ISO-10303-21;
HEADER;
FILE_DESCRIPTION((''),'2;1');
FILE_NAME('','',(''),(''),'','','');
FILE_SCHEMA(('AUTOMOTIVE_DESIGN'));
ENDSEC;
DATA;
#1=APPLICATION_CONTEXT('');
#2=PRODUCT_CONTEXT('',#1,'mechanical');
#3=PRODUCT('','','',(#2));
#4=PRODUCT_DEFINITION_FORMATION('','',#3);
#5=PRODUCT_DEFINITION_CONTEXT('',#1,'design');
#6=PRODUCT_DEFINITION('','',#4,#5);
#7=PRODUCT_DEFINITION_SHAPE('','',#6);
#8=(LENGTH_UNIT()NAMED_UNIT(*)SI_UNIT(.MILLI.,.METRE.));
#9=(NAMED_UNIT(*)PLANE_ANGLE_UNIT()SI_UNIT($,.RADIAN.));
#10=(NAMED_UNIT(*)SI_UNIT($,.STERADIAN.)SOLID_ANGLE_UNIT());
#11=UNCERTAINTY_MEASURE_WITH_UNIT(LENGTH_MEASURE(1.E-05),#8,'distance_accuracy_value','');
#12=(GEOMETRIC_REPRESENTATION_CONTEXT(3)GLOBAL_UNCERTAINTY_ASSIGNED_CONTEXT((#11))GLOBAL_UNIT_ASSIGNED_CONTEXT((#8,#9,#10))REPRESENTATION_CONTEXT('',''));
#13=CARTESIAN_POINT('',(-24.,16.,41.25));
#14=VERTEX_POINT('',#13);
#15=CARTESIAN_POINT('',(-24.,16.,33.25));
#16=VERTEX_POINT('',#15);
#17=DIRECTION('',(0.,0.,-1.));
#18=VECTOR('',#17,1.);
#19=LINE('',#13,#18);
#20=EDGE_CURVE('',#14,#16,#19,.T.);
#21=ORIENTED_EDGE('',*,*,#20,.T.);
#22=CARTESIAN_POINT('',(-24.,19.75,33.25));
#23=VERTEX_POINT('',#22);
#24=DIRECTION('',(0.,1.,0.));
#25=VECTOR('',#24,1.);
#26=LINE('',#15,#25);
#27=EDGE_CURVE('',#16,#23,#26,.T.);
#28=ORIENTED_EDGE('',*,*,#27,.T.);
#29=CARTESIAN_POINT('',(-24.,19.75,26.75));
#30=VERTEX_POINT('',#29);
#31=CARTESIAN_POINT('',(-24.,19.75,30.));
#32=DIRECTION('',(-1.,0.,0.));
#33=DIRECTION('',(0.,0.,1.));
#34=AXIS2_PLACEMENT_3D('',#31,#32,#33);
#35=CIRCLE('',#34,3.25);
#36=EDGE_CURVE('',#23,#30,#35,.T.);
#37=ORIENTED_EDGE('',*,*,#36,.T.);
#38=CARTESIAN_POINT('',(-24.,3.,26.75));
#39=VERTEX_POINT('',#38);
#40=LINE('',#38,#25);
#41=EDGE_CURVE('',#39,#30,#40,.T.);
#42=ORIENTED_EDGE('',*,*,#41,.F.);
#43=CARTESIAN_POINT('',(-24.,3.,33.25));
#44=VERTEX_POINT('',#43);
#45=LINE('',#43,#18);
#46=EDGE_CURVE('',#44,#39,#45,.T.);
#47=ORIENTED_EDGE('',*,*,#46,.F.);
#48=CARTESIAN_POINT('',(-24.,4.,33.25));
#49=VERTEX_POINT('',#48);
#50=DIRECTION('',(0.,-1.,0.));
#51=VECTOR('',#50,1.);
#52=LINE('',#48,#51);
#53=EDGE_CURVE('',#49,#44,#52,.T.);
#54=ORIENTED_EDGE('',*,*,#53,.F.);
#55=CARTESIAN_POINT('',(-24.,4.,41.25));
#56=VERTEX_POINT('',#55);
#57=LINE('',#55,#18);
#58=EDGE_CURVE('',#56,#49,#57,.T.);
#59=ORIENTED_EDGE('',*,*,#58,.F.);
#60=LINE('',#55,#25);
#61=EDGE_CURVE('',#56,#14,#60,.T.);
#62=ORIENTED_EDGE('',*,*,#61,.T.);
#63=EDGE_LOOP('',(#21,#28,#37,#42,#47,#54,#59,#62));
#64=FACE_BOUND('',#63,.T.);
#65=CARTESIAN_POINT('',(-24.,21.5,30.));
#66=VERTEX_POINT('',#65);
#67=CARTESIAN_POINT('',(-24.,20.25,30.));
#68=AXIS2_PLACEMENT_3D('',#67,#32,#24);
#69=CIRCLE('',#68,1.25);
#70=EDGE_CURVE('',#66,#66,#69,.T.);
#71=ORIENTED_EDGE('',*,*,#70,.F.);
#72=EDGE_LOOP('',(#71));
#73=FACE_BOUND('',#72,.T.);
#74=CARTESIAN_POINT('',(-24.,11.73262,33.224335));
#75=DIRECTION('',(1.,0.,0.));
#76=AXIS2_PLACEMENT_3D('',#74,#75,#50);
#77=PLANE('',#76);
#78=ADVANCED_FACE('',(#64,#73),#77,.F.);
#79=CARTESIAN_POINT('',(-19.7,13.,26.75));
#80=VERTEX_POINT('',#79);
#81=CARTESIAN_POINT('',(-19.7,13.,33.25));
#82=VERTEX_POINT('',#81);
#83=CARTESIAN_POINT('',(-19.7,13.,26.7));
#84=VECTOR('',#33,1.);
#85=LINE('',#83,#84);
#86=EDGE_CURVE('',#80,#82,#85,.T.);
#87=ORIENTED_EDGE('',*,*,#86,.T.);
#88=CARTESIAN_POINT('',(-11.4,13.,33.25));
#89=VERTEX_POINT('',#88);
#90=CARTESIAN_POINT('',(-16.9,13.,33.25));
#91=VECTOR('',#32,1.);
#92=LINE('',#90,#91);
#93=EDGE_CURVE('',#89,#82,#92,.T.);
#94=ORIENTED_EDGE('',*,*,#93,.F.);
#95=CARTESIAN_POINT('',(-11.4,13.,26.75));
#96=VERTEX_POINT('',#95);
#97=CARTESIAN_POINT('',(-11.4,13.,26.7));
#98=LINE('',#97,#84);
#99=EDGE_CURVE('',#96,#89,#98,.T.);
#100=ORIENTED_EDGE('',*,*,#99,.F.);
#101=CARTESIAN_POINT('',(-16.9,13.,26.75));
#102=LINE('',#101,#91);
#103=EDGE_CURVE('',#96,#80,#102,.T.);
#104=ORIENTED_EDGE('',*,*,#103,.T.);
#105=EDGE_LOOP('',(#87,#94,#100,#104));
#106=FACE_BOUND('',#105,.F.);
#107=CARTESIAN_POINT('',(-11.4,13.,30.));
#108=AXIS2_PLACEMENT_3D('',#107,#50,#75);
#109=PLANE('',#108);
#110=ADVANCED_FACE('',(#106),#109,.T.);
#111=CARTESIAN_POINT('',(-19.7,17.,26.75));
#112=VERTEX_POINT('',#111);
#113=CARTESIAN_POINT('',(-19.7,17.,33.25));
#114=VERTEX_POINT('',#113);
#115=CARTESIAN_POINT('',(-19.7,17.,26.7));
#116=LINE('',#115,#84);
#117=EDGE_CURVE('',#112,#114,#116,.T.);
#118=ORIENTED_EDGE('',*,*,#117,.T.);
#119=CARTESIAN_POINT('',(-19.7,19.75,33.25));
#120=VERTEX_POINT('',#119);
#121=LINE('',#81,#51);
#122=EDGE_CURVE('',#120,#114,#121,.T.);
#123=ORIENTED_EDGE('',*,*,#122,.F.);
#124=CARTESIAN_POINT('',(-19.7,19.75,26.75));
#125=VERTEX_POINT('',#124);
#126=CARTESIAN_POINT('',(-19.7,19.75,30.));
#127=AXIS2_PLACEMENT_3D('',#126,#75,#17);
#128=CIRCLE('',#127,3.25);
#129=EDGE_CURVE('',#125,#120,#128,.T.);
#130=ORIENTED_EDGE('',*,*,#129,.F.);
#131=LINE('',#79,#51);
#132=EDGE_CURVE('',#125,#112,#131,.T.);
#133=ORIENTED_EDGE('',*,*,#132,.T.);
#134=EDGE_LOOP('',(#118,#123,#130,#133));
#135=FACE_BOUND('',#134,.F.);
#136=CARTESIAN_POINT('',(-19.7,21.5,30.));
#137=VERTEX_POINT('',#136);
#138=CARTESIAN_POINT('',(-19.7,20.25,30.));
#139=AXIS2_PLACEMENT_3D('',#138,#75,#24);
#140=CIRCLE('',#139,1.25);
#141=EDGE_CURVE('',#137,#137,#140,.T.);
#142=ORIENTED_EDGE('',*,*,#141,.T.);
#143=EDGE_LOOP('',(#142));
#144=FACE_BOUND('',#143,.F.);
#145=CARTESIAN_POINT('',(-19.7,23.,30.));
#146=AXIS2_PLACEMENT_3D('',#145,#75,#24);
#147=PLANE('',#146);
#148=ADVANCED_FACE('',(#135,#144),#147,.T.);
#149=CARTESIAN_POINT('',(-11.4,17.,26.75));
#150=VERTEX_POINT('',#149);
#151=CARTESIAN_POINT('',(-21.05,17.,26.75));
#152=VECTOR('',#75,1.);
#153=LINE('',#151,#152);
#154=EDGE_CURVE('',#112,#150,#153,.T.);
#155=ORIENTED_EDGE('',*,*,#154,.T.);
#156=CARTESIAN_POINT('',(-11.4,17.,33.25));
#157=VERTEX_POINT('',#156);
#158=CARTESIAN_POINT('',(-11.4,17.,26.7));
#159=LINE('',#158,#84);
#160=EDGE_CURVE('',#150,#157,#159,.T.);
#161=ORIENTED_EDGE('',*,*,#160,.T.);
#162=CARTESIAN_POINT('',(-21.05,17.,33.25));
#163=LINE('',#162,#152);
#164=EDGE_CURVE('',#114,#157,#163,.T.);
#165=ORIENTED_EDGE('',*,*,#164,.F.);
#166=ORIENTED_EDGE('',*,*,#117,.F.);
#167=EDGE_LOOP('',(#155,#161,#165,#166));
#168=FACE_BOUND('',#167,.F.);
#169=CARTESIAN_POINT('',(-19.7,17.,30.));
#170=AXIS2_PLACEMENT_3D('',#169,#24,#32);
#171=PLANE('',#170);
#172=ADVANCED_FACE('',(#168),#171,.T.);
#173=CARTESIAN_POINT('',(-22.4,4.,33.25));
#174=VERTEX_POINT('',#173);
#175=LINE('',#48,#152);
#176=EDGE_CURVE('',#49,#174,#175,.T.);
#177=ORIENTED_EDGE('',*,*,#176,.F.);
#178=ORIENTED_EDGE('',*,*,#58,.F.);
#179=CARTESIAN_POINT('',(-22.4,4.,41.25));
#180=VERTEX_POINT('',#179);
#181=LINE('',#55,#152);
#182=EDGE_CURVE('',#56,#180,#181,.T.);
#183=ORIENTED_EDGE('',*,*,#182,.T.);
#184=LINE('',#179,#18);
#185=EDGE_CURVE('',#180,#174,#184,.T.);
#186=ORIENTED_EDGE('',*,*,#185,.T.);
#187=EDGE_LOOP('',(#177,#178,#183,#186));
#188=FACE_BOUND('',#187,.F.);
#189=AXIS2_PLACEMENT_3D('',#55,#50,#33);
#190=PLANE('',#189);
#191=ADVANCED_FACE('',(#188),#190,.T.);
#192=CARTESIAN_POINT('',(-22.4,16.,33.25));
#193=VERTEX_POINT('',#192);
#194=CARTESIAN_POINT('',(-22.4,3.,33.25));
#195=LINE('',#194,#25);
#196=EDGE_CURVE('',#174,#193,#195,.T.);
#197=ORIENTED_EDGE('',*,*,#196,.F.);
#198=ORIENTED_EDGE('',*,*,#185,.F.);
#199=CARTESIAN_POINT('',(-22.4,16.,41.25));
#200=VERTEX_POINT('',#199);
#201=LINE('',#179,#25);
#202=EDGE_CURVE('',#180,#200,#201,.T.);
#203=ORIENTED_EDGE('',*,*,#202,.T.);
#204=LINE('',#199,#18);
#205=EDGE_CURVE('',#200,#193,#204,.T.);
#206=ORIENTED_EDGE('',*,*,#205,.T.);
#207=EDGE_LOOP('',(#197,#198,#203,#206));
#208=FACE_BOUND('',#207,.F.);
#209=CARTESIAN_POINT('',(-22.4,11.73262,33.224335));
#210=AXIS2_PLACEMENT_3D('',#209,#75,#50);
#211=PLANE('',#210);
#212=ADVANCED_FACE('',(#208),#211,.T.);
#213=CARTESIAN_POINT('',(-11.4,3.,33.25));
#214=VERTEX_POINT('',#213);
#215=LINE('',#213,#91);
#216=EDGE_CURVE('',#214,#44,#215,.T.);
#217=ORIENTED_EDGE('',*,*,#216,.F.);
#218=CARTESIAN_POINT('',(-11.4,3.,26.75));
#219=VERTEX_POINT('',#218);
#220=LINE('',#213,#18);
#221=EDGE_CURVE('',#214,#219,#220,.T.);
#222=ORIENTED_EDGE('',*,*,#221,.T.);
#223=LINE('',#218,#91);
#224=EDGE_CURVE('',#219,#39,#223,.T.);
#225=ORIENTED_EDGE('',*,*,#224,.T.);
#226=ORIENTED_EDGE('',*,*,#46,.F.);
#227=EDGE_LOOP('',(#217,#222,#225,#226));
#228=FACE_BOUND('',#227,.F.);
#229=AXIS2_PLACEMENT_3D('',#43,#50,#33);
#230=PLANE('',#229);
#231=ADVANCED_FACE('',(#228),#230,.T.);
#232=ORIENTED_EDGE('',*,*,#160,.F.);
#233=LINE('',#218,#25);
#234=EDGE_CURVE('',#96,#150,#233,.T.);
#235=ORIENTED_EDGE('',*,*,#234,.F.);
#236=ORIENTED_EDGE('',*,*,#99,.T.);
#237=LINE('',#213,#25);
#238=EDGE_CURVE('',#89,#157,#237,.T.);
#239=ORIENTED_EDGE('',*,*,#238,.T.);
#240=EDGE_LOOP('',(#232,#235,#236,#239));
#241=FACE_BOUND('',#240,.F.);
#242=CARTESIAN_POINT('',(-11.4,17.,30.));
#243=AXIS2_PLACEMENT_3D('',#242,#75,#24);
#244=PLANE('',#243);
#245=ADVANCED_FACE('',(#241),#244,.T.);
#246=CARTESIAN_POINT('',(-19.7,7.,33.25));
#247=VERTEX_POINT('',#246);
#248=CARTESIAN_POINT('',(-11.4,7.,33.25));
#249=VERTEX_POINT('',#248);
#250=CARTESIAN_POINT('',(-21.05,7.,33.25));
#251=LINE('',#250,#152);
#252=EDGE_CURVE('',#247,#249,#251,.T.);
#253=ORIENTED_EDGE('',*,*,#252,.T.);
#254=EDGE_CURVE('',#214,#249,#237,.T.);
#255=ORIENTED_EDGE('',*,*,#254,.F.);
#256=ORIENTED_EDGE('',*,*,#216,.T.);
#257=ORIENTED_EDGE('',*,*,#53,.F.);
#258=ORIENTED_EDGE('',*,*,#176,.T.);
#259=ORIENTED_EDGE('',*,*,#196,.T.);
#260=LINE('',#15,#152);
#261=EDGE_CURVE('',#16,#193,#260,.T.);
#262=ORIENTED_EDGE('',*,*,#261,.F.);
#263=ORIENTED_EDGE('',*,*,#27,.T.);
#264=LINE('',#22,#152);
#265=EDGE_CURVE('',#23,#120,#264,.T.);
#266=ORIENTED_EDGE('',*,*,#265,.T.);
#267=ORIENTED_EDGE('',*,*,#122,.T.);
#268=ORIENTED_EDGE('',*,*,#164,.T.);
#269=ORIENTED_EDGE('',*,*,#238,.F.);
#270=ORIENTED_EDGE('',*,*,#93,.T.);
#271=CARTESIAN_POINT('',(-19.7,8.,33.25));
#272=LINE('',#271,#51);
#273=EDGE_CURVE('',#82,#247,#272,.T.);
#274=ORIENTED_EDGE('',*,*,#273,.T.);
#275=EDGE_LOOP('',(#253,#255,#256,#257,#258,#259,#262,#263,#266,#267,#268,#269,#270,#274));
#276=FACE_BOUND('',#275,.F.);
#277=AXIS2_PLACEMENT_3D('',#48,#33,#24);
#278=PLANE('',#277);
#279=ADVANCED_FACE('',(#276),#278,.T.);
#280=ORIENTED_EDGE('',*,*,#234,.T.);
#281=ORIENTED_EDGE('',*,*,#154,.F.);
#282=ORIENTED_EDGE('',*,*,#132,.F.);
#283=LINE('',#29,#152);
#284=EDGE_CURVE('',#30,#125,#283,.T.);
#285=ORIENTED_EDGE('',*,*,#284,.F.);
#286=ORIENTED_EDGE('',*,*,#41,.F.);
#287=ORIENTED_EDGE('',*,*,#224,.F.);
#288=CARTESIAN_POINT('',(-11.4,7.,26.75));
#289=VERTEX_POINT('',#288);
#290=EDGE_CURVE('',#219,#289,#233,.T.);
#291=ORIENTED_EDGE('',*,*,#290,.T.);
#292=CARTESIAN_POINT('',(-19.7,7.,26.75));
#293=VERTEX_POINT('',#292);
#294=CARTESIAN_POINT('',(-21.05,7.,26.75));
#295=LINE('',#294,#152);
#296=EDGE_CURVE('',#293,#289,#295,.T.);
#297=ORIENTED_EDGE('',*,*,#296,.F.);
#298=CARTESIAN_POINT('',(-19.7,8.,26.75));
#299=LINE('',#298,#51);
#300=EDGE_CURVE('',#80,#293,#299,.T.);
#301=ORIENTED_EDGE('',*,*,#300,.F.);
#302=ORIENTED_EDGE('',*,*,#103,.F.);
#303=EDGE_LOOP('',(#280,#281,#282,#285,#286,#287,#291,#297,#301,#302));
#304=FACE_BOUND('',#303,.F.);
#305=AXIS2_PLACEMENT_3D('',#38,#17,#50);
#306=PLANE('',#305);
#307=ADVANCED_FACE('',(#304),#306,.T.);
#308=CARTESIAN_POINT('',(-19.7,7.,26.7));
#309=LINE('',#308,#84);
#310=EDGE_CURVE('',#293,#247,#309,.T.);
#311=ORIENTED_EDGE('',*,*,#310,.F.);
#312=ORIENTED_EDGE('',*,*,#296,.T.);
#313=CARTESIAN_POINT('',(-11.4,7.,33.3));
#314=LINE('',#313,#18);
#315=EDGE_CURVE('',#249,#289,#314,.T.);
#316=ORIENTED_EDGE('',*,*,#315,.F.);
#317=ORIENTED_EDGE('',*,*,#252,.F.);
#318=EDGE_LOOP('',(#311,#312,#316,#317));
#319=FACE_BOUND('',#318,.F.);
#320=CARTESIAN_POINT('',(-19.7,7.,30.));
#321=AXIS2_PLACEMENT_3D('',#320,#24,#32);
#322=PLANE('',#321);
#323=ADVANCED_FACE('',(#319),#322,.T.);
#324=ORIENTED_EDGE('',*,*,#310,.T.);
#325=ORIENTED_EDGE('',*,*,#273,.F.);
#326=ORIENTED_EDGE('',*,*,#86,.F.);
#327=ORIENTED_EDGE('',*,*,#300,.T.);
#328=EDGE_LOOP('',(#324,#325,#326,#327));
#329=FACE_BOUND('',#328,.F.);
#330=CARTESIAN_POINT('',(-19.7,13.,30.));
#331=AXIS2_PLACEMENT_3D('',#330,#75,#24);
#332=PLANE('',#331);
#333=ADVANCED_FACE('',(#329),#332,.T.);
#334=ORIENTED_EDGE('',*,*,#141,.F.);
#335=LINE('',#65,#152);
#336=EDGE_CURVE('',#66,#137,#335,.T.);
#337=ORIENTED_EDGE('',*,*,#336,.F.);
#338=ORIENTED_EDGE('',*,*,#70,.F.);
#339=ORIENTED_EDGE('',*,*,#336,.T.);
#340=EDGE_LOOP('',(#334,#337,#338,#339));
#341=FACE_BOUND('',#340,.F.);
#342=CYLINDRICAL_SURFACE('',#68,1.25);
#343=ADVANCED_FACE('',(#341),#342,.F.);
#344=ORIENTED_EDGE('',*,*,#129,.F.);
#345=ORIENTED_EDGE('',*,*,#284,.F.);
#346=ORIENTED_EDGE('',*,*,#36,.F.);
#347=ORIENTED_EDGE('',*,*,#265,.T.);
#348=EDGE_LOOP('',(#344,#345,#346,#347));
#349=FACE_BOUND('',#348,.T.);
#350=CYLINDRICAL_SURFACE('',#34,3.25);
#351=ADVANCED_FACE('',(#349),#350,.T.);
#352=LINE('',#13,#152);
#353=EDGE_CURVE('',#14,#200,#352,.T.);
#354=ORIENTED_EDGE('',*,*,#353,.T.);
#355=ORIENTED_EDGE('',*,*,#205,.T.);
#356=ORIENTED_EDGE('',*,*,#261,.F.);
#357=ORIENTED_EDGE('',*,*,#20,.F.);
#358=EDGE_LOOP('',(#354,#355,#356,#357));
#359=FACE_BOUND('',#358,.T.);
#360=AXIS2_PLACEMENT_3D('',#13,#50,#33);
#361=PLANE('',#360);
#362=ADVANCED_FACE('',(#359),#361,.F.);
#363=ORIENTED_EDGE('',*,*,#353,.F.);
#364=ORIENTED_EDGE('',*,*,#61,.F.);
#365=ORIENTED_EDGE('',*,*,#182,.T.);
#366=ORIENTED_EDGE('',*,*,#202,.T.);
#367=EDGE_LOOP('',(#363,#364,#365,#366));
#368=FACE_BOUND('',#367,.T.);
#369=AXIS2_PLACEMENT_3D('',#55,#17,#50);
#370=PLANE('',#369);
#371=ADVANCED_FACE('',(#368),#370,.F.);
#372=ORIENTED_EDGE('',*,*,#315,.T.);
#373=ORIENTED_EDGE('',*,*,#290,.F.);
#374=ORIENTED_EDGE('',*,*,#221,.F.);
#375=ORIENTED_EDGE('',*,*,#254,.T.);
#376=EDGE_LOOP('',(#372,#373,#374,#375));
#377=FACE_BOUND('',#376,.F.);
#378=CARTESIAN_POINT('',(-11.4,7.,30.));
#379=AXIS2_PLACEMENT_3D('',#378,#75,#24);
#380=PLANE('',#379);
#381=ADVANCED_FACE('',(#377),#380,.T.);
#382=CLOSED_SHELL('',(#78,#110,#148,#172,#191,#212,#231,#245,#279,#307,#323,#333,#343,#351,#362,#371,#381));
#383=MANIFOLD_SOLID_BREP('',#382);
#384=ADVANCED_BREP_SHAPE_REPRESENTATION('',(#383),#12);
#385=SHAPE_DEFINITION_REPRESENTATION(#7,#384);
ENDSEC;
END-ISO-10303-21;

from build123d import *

# Parameters (mm, degrees)
SKETCH009_R                    = 1.25
EXTRUDE006_DEPTH               = 1.6
SKETCH007_R                    = 1.25
EXTRUDE004_DEPTH               = 11
EXTRUDE003_DEPTH               = 3.3
PART_MIRRORING_ROLL_ANGLE      = 90
PART_MIRRORING_PLACEMENT_ANGLE = 90


with BuildPart() as opticalsensorpcbonlyonetab:
    # Sketch009 → Extrude006 (new body)
    with BuildSketch(Plane.XY):
        with BuildLine():
            Line((-6, 0), (6, 0))
            Line((6, 0), (6, 8))
            Line((6, 8), (9.75, 8))
            ThreePointArc((9.75, 8), (13, 11.25), (9.75, 14.5))
            Line((-7, 14.5), (9.75, 14.5))
            Line((-7, 8), (-7, 14.5))
            Line((-6, 8), (-7, 8))
            Line((-6, 0), (-6, 8))
        make_face()
        with Locations((10.25, 11.25)):
            Circle(SKETCH009_R, mode=Mode.SUBTRACT)
    extrude(amount=EXTRUDE006_DEPTH)


with BuildPart() as opticalsensoronlyonetabtopview:
    # Sketch007 → Extrude004 (new body)
    with BuildSketch(Plane.XY):
        with BuildLine():
            Line((-7, 3.25), (9.75, 3.25))
            ThreePointArc((9.75, -3.25), (13, 0), (9.75, 3.25))
            Line((-7, -3.25), (9.75, -3.25))
            Line((-7, -3.25), (-7, 3.25))
        make_face()
        with Locations((10.25, 0)):
            Circle(SKETCH007_R, mode=Mode.SUBTRACT)
    extrude(amount=EXTRUDE004_DEPTH)


with BuildPart() as notmirrowedhouerlimitswitch2:
    # Sketch006 → Extrude003 (new body, symmetric)
    with BuildSketch(Plane.XZ):
        Polygon((-7, 0), (13, 0), (13, 2.7), (7, 2.7), (7, 11), (3, 11), (3, 2.7), (-3, 2.7), (-3, 11), (-7, 11), align=None)
    extrude(amount=EXTRUDE003_DEPTH, both=True)

    # Common: intersect OpticalSensorOnlyOneTabTopView
    add(opticalsensoronlyonetabtopview.part, mode=Mode.INTERSECT)


with BuildPart() as notmirrowedhouerlimitswitch2_1:
    # Common placement: moved
    add(notmirrowedhouerlimitswitch2.part.moved(Location((0, 11.25, 1.6))))

    # Fusion022: union OpticalSensorPcbOnlyOneTab
    add(opticalsensorpcbonlyonetab.part)


with BuildPart() as minutehomeswitch:
    # Part__Mirroring: instance of NotMirrowedHouerLimitSwitch2
    add(notmirrowedhouerlimitswitch2_1.part.mirror(Plane(origin=(0, 0, 0), x_dir=(1, 0, 0), z_dir=(0, 1, 0))))


with BuildPart() as minutehomeswitch_1:
    # Part__Mirroring roll: moved
    add(minutehomeswitch.part.rotate(Axis((0, 0, 0), (1, 0, 0)), PART_MIRRORING_ROLL_ANGLE))


with BuildPart() as minutehomeswitch_2:
    # Part__Mirroring placement: moved
    add(minutehomeswitch_1.part.moved(Location((-24, 10, 41.25))).rotate(Axis((-24, 10, 41.25), (0, 0, 1)), PART_MIRRORING_PLACEMENT_ANGLE))


solid = minutehomeswitch_2.part
